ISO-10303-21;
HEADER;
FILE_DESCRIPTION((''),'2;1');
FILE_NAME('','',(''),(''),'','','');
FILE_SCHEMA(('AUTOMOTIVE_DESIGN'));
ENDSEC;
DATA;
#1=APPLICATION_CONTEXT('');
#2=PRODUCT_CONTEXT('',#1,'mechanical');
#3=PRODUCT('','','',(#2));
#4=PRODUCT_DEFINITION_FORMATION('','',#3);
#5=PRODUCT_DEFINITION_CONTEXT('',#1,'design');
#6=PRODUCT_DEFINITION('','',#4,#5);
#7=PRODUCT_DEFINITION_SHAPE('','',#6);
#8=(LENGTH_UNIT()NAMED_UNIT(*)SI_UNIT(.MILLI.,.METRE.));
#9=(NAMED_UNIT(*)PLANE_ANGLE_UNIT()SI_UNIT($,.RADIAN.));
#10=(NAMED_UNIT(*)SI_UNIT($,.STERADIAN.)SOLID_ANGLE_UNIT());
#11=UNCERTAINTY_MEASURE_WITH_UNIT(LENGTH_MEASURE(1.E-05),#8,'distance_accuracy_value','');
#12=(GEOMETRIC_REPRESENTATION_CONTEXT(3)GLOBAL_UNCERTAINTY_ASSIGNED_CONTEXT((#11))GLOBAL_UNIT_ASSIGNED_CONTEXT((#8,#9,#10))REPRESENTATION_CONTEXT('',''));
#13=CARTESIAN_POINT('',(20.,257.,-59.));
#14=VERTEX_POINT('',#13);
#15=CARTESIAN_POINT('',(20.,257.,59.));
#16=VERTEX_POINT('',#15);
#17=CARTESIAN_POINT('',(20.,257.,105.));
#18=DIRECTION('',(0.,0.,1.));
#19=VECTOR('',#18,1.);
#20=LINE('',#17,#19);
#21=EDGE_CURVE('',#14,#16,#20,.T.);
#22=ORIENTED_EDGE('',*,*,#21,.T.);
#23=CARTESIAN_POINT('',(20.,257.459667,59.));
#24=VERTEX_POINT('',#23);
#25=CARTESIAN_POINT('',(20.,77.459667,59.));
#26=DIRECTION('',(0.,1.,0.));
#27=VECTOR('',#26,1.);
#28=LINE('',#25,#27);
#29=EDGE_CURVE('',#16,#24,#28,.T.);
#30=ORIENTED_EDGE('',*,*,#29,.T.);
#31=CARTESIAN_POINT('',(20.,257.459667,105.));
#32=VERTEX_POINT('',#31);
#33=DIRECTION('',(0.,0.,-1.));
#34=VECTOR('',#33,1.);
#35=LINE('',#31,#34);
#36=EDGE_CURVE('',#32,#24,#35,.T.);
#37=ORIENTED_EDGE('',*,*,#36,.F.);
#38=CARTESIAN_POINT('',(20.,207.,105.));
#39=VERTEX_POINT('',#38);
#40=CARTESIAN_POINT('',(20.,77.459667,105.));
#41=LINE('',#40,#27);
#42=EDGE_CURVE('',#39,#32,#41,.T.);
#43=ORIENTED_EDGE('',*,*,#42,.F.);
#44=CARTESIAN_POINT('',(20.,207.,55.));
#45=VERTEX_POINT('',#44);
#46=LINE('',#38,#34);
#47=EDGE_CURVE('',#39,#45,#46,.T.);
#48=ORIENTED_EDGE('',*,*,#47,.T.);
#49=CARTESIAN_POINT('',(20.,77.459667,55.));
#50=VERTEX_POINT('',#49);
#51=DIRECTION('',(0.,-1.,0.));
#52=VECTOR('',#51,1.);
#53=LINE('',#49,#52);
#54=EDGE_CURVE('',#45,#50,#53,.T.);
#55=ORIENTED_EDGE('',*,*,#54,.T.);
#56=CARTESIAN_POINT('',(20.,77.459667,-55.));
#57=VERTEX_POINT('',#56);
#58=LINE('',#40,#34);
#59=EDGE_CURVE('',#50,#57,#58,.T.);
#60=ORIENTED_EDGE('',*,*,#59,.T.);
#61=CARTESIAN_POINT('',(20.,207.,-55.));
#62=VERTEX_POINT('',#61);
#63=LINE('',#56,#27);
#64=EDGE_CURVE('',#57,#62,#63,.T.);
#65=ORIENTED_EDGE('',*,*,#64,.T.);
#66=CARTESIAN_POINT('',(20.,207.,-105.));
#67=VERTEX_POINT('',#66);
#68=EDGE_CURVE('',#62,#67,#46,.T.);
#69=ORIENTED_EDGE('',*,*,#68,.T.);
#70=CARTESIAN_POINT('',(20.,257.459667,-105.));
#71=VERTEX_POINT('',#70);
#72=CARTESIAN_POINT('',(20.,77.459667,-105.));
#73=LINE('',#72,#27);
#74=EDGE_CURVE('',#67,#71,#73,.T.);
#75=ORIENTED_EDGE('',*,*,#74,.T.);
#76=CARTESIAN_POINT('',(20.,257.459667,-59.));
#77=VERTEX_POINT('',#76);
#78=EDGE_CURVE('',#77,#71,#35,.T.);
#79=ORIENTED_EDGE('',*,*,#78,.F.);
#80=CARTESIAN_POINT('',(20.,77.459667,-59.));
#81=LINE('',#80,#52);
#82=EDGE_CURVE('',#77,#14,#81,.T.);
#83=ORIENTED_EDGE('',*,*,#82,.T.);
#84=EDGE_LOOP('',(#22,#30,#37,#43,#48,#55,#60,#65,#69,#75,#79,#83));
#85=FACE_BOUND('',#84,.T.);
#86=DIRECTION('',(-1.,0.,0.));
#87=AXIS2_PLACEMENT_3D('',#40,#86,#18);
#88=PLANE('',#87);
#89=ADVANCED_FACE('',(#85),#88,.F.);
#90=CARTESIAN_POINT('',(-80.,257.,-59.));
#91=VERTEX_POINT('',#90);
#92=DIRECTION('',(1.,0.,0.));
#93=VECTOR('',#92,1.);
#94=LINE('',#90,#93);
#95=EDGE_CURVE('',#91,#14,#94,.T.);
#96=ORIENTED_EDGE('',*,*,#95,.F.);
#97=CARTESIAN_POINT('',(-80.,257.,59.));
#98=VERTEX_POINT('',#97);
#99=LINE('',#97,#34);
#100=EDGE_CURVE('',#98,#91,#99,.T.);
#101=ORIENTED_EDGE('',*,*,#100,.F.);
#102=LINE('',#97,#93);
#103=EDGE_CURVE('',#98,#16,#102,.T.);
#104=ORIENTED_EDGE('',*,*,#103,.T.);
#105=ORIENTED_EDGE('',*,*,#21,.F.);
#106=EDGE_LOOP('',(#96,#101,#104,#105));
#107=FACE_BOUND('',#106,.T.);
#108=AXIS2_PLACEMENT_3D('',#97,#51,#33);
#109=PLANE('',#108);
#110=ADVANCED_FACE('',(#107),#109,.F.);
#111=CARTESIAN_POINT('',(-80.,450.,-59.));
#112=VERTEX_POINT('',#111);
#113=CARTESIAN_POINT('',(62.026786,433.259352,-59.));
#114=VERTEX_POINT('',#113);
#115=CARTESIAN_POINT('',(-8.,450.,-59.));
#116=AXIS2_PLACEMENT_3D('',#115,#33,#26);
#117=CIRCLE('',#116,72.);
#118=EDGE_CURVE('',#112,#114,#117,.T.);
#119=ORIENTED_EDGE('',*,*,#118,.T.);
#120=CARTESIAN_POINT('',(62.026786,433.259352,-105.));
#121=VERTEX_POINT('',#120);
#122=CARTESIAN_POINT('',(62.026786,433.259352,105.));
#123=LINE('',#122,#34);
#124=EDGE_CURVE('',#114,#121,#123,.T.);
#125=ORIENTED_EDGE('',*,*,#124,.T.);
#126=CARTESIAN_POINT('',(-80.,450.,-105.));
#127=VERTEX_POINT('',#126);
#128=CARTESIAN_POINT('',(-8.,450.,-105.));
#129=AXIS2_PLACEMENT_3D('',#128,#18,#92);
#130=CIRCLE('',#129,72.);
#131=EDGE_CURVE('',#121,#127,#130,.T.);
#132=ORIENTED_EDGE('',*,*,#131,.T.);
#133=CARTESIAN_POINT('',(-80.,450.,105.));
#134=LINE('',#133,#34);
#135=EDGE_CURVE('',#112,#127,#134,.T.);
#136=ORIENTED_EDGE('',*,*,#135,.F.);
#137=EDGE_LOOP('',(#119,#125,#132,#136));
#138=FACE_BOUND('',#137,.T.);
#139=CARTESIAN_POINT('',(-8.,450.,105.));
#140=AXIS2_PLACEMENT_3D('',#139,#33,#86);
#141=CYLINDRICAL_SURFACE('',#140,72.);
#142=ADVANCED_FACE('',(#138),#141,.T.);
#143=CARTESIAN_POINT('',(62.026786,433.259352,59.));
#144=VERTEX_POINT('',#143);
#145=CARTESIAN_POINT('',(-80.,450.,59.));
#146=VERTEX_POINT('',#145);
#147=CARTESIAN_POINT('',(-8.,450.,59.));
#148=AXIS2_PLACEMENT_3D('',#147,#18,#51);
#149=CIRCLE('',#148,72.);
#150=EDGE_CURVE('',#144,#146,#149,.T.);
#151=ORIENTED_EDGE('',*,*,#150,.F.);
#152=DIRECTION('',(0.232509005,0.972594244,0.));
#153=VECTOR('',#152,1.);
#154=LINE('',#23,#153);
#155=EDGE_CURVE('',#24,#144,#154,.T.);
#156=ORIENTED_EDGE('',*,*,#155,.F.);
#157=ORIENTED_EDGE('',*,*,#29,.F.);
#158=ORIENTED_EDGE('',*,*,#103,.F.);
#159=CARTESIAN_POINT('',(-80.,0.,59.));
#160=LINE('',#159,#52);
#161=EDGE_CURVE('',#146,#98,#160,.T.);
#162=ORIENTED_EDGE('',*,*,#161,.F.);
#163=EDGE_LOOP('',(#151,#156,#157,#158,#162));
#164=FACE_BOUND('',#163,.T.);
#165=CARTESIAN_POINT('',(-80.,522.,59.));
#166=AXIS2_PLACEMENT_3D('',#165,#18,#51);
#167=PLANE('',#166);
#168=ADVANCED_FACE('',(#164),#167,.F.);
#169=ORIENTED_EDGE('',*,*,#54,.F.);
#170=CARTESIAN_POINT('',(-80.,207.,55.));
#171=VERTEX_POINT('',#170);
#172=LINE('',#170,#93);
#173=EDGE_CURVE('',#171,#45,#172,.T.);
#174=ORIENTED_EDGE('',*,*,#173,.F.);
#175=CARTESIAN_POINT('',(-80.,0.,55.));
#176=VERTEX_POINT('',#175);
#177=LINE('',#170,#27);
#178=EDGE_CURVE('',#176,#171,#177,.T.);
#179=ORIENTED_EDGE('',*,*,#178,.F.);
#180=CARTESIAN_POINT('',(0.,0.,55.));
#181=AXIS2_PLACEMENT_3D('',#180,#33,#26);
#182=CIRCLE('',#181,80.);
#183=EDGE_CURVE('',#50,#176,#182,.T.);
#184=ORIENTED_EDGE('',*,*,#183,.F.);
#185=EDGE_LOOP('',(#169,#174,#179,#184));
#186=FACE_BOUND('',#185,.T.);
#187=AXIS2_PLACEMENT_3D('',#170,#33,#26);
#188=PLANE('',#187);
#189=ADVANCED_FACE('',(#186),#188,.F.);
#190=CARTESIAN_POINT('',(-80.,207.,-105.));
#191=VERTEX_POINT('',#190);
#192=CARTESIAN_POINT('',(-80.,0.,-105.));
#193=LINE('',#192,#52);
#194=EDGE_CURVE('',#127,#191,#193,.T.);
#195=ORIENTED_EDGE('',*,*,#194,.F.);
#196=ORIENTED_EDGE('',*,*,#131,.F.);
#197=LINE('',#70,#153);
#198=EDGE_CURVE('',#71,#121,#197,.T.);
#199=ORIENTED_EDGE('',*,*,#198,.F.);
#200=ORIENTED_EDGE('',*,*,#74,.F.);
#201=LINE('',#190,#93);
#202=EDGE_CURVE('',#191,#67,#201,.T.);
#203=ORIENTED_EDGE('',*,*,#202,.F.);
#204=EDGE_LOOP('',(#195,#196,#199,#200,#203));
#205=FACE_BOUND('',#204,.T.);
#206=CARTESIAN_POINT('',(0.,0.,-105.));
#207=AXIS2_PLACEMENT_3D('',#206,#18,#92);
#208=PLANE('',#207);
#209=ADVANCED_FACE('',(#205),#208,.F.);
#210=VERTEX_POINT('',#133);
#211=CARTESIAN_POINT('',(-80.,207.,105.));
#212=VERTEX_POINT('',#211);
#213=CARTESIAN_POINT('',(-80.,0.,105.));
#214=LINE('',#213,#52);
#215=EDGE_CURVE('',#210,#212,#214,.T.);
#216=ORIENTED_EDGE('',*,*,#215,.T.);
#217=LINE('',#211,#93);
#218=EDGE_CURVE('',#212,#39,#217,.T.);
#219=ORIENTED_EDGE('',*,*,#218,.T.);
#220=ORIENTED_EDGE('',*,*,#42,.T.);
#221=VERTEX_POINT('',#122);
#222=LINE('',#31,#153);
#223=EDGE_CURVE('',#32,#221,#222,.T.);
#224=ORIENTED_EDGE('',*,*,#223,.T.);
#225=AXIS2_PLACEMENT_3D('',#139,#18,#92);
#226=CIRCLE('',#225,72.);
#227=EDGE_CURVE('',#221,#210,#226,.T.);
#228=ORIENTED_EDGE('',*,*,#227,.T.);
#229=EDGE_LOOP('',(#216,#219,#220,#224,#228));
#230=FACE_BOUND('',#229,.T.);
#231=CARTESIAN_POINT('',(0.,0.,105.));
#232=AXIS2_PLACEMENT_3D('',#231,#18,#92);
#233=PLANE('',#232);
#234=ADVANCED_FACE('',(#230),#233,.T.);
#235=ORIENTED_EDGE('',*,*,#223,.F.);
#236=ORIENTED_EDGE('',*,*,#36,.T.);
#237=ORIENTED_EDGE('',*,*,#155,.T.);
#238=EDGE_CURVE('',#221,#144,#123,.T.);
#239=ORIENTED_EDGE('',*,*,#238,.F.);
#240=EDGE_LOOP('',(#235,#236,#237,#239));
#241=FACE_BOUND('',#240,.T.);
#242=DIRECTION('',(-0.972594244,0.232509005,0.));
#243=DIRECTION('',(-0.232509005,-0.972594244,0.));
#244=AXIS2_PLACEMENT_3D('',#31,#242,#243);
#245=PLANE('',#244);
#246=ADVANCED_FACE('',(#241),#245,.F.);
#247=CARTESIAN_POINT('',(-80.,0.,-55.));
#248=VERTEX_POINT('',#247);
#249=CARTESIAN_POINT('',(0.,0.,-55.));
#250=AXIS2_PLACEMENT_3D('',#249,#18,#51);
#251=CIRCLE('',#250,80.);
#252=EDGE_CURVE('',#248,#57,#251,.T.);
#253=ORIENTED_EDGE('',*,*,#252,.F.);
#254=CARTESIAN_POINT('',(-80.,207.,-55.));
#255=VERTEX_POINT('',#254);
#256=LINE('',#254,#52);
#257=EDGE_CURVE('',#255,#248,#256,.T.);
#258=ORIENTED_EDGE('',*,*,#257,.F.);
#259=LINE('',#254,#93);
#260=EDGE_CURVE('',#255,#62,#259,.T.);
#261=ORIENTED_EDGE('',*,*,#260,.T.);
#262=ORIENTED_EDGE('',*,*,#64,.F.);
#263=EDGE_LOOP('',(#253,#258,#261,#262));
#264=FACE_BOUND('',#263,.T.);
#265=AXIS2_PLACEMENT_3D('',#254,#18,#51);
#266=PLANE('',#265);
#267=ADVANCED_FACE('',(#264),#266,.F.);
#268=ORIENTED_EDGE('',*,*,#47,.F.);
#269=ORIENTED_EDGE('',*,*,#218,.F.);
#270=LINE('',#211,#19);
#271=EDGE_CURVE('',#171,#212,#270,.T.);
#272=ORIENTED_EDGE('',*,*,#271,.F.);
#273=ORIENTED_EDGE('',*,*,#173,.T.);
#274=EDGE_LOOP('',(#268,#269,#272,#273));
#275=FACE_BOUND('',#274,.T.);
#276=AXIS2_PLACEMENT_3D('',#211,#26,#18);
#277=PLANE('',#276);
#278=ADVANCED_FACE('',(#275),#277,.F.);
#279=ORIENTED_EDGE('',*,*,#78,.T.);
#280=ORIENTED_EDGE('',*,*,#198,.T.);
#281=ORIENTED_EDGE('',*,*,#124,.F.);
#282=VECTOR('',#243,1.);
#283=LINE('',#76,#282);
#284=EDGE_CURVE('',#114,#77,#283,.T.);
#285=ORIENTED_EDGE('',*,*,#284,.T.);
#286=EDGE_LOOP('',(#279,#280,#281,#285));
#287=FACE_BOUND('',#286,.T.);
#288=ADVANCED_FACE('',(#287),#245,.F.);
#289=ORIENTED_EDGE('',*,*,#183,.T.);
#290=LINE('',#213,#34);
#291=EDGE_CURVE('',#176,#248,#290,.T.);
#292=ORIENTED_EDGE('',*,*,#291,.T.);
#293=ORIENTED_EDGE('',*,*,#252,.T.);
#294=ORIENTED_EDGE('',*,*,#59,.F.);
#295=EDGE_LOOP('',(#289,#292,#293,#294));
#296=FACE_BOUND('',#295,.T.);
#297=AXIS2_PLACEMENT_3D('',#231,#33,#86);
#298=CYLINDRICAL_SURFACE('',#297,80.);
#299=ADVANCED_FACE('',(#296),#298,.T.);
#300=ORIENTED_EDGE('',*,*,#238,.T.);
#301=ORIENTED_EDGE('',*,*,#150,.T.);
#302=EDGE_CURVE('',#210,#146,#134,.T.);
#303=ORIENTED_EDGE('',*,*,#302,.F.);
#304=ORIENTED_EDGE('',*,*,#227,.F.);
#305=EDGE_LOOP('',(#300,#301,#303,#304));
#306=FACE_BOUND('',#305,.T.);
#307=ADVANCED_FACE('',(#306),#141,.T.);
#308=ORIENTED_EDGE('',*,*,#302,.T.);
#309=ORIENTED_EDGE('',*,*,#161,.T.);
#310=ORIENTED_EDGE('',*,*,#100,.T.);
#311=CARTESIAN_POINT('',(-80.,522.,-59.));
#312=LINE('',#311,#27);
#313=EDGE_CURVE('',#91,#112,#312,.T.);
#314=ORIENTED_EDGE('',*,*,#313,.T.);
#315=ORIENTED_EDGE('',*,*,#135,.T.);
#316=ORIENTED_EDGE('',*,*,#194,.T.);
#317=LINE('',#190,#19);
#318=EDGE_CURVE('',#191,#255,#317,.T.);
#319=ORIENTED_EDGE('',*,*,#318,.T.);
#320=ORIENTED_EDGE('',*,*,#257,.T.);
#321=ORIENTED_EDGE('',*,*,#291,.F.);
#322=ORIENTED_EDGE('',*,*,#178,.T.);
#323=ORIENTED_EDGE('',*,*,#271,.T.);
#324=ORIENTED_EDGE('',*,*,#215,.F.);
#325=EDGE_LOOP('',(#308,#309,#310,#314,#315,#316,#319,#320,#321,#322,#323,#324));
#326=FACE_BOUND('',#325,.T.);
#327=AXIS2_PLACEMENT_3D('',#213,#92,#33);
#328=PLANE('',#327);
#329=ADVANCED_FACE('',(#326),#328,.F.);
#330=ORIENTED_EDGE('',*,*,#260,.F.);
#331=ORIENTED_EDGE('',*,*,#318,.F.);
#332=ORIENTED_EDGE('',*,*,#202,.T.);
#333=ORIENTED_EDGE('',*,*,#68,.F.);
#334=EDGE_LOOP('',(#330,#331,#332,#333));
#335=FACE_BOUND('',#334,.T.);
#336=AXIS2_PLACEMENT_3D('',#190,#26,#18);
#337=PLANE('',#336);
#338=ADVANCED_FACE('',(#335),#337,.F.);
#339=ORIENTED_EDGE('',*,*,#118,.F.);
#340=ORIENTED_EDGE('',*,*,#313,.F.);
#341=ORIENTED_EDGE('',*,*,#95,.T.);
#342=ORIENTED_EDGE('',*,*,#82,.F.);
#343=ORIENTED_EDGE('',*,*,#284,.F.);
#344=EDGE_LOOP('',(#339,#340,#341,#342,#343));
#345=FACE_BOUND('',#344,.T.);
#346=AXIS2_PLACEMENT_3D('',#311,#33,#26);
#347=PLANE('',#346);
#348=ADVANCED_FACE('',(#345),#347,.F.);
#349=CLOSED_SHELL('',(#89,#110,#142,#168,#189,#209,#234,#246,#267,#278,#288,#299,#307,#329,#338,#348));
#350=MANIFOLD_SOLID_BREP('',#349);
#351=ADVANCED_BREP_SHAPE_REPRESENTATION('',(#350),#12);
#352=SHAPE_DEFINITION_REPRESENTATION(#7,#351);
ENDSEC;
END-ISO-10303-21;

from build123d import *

# Parameters (mm, degrees)
BOSS_EXTRUDE1_DEPTH     = 105
CUT_EXTRUDE1_DEPTH      = 539.431982705
CUT_EXTRUDE1_DEPTH_BACK = 539.431982705
SKETCH2_W               = 118
SKETCH2_H               = 265
SKETCH2_W_2             = 50
SKETCH2_H_2             = 287


with BuildPart() as part:
    # Sketch1 → Boss-Extrude1 (new, symmetric)
    with BuildSketch(Plane.XY):
        with BuildLine():
            Line((-80, 0), (-80, 450))
            ThreePointArc((-80, 450), (0.428269124, 521.504994788), (62.026785544, 433.259351673))
            Line((62.026785544, 433.259351673), (20, 257.459666924))
            Line((20, 257.459666924), (20, 77.459666924))
            ThreePointArc((20, 77.459666924), (48.989794856, -63.245553203), (-80, 0))
        make_face()
    extrude(amount=BOSS_EXTRUDE1_DEPTH, both=True)

    # Sketch2 → Cut-Extrude1 (cut, two sides: drawn at the far end of the back side and taken through both)
    with BuildSketch(Plane(origin=(0, 0, 0), x_dir=(0, 0, -1), z_dir=(1, 0, 0)).offset(-CUT_EXTRUDE1_DEPTH_BACK)):
        with Locations((0, 389.5)):
            Rectangle(SKETCH2_W, SKETCH2_H)
        with Locations((-80, 63.5)):
            Rectangle(SKETCH2_W_2, SKETCH2_H_2)
        with Locations((80, 63.5)):
            Rectangle(SKETCH2_W_2, SKETCH2_H_2)
    extrude(amount=CUT_EXTRUDE1_DEPTH + CUT_EXTRUDE1_DEPTH_BACK, mode=Mode.SUBTRACT)


solid = part.part
